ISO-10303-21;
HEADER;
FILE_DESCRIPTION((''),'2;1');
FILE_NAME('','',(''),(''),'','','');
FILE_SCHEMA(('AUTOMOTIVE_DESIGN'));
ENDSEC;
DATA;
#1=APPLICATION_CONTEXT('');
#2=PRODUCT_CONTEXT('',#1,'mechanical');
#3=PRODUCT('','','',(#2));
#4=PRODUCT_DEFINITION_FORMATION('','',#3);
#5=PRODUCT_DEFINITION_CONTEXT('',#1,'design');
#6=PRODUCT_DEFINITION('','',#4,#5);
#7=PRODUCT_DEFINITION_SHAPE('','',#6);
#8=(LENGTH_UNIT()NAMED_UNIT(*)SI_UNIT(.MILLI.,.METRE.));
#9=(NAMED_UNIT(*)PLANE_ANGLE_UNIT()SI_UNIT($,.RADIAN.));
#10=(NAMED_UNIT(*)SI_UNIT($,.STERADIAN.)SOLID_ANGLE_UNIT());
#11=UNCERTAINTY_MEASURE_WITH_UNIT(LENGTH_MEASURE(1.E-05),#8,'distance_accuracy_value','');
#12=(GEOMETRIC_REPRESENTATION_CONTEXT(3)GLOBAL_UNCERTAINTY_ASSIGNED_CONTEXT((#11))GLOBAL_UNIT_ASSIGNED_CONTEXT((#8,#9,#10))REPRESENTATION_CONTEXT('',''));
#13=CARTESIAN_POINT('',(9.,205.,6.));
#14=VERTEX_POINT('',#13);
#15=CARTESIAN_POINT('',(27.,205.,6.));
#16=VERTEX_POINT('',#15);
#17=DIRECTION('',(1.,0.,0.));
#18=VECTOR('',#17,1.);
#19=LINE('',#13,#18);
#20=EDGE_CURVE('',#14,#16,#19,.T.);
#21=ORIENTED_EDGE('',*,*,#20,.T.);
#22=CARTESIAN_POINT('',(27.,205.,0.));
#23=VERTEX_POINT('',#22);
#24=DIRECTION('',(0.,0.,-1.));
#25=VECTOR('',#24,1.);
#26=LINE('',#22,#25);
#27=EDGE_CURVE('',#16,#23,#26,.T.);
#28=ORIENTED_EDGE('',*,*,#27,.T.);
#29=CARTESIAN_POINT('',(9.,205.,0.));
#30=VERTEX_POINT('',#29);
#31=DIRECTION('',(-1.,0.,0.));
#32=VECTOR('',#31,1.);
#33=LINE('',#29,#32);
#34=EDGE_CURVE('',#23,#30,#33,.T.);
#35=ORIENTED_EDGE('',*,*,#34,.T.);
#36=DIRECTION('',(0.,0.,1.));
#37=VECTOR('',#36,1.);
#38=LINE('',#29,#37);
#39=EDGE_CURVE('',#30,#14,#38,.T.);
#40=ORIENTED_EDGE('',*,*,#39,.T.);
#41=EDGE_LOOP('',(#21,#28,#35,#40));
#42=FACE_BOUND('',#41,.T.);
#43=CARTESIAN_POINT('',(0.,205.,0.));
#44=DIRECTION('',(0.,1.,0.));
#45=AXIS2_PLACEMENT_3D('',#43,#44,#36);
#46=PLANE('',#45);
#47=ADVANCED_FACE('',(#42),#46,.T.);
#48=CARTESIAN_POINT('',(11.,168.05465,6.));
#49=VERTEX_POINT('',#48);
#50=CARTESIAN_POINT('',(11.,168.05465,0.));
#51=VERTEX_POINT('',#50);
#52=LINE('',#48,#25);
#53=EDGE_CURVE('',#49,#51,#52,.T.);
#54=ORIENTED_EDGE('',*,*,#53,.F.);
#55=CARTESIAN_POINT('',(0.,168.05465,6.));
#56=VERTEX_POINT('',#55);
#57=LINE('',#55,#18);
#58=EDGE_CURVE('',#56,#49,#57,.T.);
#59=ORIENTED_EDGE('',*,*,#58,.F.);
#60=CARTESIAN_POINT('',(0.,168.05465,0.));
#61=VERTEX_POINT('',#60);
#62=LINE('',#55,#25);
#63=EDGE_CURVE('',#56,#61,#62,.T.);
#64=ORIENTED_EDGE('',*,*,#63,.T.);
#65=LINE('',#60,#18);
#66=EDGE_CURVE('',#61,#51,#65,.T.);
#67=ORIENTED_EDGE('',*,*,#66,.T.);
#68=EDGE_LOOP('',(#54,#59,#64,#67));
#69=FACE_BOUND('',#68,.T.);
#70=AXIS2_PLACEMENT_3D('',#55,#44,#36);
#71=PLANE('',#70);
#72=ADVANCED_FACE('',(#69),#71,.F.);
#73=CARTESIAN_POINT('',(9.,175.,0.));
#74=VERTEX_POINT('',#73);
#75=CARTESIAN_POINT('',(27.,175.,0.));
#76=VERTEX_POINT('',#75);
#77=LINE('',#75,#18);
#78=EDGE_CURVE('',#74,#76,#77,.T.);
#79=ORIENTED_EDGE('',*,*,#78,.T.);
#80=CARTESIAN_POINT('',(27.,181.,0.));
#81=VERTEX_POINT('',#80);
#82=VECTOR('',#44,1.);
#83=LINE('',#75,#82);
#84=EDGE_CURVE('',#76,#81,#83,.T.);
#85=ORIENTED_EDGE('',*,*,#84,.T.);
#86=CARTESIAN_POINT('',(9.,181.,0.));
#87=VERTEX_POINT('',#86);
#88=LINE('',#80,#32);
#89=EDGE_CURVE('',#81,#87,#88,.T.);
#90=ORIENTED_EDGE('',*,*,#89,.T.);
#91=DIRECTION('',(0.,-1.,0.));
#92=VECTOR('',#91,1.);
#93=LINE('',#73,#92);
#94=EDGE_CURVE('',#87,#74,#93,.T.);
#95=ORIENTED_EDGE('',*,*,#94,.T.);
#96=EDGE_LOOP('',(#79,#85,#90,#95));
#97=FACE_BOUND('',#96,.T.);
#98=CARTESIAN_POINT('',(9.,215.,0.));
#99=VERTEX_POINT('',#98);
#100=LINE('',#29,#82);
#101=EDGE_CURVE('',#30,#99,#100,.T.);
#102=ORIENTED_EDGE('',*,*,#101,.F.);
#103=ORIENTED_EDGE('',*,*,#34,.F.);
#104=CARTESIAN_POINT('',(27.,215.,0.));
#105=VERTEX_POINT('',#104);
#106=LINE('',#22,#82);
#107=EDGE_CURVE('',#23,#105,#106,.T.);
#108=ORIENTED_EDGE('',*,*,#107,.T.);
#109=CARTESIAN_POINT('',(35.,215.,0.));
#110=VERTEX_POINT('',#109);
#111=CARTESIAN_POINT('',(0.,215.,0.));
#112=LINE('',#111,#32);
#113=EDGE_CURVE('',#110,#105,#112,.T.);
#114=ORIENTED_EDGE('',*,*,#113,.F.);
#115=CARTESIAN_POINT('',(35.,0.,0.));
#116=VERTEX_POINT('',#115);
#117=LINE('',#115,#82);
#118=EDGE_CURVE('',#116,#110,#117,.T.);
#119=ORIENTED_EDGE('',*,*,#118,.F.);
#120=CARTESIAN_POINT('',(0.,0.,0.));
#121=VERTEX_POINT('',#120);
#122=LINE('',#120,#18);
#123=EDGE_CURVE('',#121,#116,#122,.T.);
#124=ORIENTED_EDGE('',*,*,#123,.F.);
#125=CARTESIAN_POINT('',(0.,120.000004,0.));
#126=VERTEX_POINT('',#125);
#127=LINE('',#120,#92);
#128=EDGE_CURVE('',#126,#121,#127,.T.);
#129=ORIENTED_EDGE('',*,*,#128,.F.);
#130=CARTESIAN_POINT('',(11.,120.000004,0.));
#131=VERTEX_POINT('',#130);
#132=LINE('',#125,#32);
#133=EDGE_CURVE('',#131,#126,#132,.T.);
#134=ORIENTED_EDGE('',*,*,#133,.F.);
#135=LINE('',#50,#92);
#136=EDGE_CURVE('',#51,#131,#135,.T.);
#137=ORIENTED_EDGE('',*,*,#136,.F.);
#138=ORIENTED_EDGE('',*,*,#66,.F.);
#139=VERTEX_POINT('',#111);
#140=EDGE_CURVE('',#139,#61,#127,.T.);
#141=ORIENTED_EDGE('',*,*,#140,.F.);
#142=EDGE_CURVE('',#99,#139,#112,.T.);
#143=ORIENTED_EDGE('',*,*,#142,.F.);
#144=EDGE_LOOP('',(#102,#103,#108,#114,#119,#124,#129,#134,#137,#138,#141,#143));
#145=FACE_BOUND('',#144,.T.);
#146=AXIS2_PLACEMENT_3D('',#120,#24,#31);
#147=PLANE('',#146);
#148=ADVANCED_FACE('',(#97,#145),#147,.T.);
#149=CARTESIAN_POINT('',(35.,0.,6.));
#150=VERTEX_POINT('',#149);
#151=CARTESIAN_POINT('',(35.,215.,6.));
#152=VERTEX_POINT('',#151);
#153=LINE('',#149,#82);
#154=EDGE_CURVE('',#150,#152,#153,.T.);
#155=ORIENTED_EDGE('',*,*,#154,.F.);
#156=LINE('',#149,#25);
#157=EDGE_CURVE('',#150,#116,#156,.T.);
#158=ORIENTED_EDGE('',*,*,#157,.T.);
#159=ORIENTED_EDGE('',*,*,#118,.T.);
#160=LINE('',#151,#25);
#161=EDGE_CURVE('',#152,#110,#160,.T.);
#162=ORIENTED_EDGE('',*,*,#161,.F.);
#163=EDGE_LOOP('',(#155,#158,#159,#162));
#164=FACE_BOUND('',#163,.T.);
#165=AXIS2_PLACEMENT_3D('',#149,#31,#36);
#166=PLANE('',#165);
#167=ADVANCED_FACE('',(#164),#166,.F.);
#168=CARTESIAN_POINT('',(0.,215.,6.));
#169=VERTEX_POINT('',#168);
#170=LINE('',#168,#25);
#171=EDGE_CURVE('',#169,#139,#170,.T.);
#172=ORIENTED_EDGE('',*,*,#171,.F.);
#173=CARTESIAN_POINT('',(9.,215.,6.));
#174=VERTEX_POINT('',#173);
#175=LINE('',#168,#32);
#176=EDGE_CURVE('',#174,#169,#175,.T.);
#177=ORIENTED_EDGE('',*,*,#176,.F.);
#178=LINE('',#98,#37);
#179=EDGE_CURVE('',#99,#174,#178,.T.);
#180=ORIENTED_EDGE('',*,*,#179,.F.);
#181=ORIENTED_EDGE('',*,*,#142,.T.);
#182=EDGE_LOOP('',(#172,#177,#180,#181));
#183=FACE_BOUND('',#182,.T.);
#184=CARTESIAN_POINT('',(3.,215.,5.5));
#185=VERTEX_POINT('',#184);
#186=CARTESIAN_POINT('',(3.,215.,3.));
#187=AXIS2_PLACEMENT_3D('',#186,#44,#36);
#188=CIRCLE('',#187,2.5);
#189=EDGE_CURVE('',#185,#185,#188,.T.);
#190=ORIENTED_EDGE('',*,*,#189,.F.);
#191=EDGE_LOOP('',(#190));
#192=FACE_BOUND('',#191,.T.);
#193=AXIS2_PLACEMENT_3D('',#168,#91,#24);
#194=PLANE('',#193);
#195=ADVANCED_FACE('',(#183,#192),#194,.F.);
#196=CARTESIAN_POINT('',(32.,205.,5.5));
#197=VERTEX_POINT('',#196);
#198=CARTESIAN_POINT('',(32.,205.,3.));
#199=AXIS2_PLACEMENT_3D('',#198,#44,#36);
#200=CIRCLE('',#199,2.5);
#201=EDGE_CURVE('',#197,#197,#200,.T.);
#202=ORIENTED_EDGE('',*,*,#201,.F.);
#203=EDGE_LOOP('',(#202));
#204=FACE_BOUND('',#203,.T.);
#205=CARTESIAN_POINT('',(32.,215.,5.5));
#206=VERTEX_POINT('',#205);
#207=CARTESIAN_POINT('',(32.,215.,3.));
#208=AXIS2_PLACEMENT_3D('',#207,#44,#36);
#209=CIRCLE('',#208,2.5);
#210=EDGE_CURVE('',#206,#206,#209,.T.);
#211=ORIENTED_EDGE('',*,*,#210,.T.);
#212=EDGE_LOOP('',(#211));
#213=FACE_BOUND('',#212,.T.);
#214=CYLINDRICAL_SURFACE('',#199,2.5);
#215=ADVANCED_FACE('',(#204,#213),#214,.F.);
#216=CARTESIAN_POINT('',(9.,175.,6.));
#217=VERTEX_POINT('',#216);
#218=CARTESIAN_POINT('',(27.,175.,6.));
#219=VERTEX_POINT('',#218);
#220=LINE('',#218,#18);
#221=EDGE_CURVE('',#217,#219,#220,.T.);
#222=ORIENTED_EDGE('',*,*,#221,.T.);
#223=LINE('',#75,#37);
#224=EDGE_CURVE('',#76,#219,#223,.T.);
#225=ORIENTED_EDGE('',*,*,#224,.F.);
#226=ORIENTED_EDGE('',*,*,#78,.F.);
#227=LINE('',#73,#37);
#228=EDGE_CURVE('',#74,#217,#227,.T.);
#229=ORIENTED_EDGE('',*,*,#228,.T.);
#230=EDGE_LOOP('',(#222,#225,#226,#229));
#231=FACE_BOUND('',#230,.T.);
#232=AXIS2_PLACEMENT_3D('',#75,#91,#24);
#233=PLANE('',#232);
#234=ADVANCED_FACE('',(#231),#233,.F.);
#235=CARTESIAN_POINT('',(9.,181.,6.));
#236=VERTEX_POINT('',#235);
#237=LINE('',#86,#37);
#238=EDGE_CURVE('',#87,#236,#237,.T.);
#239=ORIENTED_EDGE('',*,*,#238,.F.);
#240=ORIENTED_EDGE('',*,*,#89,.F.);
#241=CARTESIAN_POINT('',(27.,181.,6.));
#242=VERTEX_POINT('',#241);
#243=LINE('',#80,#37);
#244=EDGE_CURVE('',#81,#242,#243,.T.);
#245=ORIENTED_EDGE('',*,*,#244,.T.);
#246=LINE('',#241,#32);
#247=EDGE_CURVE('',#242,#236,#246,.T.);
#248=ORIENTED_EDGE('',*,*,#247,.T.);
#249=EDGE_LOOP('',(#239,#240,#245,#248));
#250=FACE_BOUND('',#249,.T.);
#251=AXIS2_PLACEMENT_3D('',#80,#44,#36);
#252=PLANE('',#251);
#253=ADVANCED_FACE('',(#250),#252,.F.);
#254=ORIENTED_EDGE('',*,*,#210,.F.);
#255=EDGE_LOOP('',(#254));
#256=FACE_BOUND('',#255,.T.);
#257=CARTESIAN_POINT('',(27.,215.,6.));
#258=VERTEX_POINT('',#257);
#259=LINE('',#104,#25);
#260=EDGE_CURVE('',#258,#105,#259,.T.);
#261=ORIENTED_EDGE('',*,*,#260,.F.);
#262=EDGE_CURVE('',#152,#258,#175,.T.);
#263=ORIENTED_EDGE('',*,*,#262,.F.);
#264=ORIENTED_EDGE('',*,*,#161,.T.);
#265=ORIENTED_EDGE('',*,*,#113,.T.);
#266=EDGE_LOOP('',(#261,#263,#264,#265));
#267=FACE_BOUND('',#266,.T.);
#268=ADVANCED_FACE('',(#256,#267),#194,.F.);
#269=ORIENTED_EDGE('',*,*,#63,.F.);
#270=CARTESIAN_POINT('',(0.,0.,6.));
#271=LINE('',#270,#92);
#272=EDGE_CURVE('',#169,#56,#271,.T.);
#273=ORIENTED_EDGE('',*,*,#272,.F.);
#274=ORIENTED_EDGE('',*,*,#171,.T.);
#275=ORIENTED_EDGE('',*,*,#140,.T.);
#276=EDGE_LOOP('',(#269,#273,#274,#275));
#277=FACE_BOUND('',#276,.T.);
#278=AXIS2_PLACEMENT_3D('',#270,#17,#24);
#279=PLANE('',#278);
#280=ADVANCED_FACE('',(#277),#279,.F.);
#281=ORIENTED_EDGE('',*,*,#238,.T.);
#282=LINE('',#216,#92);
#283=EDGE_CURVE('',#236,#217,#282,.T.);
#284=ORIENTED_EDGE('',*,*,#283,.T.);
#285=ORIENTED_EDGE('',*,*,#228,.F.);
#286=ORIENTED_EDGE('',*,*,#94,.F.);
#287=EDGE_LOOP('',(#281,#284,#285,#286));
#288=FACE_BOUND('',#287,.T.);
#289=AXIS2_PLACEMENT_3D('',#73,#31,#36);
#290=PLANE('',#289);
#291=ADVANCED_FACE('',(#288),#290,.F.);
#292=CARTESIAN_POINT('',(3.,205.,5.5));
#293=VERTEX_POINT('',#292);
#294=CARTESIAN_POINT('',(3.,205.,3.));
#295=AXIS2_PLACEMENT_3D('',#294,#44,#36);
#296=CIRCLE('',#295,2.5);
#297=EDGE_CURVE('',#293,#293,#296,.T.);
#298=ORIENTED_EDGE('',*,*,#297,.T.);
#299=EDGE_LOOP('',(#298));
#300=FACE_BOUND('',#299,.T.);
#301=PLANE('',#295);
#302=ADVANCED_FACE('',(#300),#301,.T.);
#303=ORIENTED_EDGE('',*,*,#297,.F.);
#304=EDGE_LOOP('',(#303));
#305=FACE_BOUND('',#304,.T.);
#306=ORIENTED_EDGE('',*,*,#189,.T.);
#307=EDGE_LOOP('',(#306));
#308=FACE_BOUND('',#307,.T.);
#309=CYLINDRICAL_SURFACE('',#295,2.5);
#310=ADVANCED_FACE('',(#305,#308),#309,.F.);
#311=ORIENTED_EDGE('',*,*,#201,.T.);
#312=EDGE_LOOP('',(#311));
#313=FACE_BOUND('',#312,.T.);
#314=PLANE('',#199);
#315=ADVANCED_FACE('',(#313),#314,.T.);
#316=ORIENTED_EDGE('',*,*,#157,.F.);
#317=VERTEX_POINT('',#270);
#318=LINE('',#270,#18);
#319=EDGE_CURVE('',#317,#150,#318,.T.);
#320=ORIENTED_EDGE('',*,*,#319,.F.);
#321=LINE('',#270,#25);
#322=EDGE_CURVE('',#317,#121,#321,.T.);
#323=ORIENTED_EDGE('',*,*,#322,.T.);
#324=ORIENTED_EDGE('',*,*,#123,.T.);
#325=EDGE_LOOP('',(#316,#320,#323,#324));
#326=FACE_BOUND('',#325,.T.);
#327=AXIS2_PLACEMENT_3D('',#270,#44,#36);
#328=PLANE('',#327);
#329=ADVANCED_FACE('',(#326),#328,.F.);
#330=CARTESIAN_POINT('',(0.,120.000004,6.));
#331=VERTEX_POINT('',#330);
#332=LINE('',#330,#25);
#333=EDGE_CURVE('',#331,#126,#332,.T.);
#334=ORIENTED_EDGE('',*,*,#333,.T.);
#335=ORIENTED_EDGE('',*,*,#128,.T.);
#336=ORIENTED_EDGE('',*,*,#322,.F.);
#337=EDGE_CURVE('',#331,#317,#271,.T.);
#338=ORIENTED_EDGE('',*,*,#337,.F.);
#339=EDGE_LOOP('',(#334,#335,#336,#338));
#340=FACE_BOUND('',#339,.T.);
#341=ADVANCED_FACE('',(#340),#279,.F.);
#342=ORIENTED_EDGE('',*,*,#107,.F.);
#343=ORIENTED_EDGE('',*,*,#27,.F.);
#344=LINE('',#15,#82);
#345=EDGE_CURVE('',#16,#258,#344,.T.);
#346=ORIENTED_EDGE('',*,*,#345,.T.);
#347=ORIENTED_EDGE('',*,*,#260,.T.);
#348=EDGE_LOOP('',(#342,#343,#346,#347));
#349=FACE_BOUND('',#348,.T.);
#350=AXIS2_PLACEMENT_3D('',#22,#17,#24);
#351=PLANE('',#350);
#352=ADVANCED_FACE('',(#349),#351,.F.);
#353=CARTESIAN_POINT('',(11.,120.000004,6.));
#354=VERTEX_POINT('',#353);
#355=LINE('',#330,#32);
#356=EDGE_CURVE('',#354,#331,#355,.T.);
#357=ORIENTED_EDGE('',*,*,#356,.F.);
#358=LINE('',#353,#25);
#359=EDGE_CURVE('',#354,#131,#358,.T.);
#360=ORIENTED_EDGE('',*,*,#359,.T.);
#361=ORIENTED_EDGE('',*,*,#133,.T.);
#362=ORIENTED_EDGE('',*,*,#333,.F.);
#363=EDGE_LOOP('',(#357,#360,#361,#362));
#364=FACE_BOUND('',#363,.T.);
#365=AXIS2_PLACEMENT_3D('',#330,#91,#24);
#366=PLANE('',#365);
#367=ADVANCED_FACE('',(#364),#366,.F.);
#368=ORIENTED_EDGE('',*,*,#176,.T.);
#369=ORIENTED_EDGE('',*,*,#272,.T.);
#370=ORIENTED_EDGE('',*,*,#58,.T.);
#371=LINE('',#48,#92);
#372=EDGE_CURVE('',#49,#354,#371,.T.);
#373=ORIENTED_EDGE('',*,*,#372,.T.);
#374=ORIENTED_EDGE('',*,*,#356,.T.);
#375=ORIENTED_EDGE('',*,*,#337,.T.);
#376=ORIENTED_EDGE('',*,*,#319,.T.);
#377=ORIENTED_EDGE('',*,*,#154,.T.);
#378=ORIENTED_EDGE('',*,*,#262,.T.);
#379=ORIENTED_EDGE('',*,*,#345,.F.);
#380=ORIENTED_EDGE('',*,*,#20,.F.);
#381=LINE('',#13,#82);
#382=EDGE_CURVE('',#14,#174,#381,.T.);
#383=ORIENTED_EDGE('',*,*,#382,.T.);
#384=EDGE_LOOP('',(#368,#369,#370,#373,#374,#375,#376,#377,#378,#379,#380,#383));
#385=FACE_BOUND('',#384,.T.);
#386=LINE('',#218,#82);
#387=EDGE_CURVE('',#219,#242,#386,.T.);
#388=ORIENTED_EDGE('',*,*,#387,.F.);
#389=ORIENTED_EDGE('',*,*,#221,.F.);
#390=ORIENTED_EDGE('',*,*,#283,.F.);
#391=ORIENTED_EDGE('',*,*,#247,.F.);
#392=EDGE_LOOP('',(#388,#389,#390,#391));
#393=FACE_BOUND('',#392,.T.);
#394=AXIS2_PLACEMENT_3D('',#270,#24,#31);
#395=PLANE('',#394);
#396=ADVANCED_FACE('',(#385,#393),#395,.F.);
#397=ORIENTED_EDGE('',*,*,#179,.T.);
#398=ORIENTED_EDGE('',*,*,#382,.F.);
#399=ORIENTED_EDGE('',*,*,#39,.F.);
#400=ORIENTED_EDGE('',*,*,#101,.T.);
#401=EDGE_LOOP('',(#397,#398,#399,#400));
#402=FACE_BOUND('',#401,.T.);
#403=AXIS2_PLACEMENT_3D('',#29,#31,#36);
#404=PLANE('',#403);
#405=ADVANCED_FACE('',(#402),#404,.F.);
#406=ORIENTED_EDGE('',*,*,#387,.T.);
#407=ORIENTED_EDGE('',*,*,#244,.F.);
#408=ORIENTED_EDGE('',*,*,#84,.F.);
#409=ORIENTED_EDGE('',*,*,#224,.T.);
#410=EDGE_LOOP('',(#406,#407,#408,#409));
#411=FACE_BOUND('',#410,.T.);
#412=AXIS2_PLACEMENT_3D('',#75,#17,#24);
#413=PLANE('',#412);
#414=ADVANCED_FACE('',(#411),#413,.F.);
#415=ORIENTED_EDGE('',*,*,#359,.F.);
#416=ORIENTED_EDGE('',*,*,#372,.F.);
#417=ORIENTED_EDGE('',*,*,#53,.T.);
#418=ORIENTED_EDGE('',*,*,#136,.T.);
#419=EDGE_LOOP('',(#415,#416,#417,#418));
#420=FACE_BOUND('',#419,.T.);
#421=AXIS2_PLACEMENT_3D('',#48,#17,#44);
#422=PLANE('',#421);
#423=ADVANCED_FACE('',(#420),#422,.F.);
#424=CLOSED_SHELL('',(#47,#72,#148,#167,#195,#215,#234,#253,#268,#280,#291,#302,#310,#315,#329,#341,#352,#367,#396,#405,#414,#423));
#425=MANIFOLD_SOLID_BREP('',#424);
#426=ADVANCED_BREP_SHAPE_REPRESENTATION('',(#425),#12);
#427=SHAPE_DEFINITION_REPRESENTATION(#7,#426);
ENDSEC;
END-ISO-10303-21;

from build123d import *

# Parameters (mm, degrees)
ESQUISSE1_W                = 35
ESQUISSE1_H                = 215
BOSS_EXTRU_1_DEPTH         = 6
ESQUISSE2_W                = 18
ESQUISSE2_H                = 6
ENL_V_MAT_EXTRU_1_DEPTH    = 10
ESQUISSE3_W                = 18
ESQUISSE3_H                = 6
ENL_V_MAT_EXTRU_2_DEPTH    = 218.912826607
ESQUISSE4_W                = 11
ESQUISSE4_H                = 48.05464589
ENL_V_MAT_EXTRU_3_DEPTH    = 218.912826607
ESQUISSE5_R                = 2.5
ENL_V_MAT_EXTRU_4_DEPTH    = 10
R_P_TITION_LIN_AIRE1_COUNT = 2
R_P_TITION_LIN_AIRE1_PITCH = 29


with BuildPart() as part:
    # Esquisse1 → Boss.-Extru.1 (new body)
    with BuildSketch(Plane.XY):
        with Locations((17.5, 107.5)):
            Rectangle(ESQUISSE1_W, ESQUISSE1_H)
    extrude(amount=BOSS_EXTRU_1_DEPTH)

    # Esquisse2 → Enlèv. mat.-Extru.1 (cut)
    with BuildSketch(Plane(origin=(0, 215, 0), x_dir=(1, 0, 0), z_dir=(0, 1, 0))):
        with Locations((18, -3)):
            Rectangle(ESQUISSE2_W, ESQUISSE2_H)
    extrude(amount=-ENL_V_MAT_EXTRU_1_DEPTH, mode=Mode.SUBTRACT)

    # Esquisse3 → Enlèv. mat.-Extru.2 (cut, through all)
    with BuildSketch(Plane.XY.offset(6)):
        with Locations((18, 178)):
            Rectangle(ESQUISSE3_W, ESQUISSE3_H)
    extrude(amount=-ENL_V_MAT_EXTRU_2_DEPTH, mode=Mode.SUBTRACT)

    # Esquisse4 → Enlèv. mat.-Extru.3 (cut, through all)
    with BuildSketch(Plane(origin=(0, 0, 0), x_dir=(-1, 0, 0), z_dir=(0, 0, -1))):
        with Locations((-5.5, 144.027326709)):
            Rectangle(ESQUISSE4_W, ESQUISSE4_H)
    extrude(amount=-ENL_V_MAT_EXTRU_3_DEPTH, mode=Mode.SUBTRACT)

    # Esquisse5 → Enlèv. mat.-Extru.4 (cut)
    with BuildSketch(Plane(origin=(0, 215, 0), x_dir=(1, 0, 0), z_dir=(0, 1, 0))):
        with Locations(Location((3, -3, 0), (0, 0, 270))):
            Circle(ESQUISSE5_R)
    enl_v_mat_extru_4 = extrude(amount=-ENL_V_MAT_EXTRU_4_DEPTH, mode=Mode.SUBTRACT)

    # Répétition linéaire1: Enlèv. mat.-Extru.4 ×2
    with Locations(*[(i * R_P_TITION_LIN_AIRE1_PITCH, 0, 0) for i in range(1, R_P_TITION_LIN_AIRE1_COUNT)]):
        add(enl_v_mat_extru_4, mode=Mode.SUBTRACT)


solid = part.part
